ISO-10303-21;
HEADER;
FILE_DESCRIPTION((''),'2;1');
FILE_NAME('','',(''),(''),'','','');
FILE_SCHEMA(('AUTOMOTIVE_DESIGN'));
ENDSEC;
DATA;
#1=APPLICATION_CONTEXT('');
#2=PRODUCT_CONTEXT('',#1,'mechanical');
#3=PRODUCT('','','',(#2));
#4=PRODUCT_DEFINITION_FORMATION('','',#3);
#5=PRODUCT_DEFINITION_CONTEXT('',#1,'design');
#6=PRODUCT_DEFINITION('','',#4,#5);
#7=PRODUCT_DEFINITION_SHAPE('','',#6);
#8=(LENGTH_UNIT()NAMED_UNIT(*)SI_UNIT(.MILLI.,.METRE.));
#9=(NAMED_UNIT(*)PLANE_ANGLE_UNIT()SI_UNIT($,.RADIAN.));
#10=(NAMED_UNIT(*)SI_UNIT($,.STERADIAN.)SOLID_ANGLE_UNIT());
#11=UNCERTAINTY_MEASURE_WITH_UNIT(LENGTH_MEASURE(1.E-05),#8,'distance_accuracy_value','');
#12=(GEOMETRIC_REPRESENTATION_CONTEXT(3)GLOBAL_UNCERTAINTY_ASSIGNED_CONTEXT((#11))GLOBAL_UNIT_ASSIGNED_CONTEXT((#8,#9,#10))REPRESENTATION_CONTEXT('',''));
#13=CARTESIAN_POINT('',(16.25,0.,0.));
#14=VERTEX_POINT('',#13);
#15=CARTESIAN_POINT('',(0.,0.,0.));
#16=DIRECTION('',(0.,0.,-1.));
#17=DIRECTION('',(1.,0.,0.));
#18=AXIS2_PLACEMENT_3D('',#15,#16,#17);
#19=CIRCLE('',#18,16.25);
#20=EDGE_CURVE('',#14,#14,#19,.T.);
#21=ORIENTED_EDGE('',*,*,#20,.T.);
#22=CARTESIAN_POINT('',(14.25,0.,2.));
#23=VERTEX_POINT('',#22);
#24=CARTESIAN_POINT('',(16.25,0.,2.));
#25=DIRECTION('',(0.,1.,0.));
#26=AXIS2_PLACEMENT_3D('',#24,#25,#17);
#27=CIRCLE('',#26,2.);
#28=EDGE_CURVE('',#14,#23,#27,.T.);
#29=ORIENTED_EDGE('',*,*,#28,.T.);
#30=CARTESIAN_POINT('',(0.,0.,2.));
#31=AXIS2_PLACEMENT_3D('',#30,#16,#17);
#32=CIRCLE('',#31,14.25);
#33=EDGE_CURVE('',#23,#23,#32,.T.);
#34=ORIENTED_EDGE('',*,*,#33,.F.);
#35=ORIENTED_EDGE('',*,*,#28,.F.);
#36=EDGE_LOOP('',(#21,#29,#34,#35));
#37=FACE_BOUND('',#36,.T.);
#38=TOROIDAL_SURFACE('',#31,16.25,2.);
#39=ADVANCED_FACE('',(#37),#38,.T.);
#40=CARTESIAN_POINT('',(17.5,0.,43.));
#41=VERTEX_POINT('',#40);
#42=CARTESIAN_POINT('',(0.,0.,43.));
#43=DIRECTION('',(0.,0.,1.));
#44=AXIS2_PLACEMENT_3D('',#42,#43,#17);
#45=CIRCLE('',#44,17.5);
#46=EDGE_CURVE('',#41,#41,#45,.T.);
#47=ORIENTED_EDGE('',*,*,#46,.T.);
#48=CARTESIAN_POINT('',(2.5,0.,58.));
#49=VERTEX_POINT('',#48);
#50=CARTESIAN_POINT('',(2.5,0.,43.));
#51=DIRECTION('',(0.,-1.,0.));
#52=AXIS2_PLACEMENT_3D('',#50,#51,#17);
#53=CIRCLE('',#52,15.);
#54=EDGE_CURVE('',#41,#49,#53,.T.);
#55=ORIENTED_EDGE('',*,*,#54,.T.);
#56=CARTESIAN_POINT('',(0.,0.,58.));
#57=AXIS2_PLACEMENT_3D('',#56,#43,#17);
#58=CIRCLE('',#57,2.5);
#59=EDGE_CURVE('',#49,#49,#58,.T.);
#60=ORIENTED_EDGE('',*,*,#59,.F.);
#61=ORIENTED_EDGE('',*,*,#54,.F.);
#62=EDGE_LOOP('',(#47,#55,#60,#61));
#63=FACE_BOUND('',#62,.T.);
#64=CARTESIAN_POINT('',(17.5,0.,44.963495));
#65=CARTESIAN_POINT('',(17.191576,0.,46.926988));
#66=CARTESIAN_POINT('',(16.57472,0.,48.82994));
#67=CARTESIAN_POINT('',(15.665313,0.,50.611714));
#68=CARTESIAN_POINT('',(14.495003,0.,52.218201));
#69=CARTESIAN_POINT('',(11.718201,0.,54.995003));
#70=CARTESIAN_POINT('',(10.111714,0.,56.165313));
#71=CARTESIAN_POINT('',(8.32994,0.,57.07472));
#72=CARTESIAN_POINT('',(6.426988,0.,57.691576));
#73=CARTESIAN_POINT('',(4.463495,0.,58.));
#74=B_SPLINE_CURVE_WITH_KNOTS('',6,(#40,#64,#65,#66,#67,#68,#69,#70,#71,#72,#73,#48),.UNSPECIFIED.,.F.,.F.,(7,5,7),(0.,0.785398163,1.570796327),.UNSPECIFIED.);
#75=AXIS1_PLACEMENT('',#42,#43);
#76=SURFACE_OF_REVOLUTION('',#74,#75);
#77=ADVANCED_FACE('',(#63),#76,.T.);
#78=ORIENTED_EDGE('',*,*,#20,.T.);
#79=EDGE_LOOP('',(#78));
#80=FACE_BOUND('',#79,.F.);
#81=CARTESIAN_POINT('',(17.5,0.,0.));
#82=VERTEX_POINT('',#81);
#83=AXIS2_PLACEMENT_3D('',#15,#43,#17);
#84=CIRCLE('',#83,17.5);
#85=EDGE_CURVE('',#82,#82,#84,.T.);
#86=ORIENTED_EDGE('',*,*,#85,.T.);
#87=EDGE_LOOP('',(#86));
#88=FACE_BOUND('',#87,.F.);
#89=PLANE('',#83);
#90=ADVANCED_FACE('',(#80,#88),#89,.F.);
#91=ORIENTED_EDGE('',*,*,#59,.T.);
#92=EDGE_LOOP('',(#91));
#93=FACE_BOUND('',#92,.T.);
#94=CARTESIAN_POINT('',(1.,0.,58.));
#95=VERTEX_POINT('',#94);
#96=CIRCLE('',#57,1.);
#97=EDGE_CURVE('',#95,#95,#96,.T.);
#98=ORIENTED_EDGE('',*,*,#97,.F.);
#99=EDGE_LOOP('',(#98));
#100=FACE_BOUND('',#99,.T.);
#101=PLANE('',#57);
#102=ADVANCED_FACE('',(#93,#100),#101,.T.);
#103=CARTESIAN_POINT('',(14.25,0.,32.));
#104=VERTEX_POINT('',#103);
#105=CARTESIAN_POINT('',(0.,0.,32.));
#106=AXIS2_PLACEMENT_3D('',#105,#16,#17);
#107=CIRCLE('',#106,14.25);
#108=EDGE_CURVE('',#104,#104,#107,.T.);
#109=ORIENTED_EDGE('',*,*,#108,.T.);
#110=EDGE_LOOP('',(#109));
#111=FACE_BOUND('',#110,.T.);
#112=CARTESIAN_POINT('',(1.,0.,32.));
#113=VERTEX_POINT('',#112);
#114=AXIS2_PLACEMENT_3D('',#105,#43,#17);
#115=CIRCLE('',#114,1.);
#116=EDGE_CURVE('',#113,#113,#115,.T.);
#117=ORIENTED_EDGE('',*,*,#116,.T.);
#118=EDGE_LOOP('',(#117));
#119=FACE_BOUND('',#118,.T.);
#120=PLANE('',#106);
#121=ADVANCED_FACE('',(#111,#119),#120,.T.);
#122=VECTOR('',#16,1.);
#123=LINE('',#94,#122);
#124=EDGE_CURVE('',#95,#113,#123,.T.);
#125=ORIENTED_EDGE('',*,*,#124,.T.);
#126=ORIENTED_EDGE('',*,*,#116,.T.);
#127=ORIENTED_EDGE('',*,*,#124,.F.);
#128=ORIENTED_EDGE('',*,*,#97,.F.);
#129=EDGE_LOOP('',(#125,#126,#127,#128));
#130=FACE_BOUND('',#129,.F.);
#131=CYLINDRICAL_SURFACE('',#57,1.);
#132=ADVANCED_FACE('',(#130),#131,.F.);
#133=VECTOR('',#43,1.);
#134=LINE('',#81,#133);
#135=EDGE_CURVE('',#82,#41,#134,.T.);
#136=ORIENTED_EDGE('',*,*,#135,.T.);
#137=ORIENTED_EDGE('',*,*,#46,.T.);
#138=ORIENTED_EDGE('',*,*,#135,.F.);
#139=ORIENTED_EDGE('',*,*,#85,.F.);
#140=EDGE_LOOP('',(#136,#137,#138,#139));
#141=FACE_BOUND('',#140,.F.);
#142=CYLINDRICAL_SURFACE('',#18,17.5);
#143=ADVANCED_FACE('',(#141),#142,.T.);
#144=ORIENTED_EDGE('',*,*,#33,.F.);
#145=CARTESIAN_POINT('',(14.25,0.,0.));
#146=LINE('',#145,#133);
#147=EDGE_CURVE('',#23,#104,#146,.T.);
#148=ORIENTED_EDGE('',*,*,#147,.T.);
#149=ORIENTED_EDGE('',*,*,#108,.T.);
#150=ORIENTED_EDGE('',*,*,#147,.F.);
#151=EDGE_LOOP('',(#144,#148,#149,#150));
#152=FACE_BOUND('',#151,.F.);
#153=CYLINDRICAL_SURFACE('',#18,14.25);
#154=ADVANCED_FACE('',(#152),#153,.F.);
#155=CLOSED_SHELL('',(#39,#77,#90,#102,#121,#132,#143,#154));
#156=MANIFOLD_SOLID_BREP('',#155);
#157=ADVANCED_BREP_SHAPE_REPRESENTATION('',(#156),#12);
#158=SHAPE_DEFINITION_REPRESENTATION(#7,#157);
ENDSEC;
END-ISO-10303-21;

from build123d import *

# Parameters (mm, degrees)
SKETCH_R        = 17.5
PAD_DEPTH       = 58
FILLET_R        = 15
SKETCH001_R     = 14.25
POCKET_DEPTH    = 32
SKETCH002_R     = 1
POCKET001_DEPTH = 58.001
FILLET001_R     = 2


with BuildPart() as part:
    # Sketch → Pad (new body)
    with BuildSketch(Plane.XY):
        Circle(SKETCH_R)
    extrude(amount=PAD_DEPTH)

    # Fillet
    fillet_edges = [part.edges().sort_by_distance(p)[0] for p in [
        (-17.5, 0, 58),
    ]]
    fillet(fillet_edges, radius=FILLET_R)

    # Sketch001 (on Face3 of Fillet) → Pocket (cut)
    with BuildSketch(Plane(origin=(0, 0, 0), x_dir=(1, 0, 0), z_dir=(0, 0, -1))):
        Circle(SKETCH001_R)
    extrude(amount=-POCKET_DEPTH, mode=Mode.SUBTRACT)

    # Sketch002 (on Face4 of Fillet) → Pocket001 (cut, through all)
    with BuildSketch(Plane.XY.offset(58)):
        Circle(SKETCH002_R)
    extrude(amount=-POCKET001_DEPTH, mode=Mode.SUBTRACT)

    # Fillet001
    fillet001_edges = [part.edges().sort_by_distance(p)[0] for p in [
        (-14.25, 0, 0),
    ]]
    fillet(fillet001_edges, radius=FILLET001_R)


solid = part.part
